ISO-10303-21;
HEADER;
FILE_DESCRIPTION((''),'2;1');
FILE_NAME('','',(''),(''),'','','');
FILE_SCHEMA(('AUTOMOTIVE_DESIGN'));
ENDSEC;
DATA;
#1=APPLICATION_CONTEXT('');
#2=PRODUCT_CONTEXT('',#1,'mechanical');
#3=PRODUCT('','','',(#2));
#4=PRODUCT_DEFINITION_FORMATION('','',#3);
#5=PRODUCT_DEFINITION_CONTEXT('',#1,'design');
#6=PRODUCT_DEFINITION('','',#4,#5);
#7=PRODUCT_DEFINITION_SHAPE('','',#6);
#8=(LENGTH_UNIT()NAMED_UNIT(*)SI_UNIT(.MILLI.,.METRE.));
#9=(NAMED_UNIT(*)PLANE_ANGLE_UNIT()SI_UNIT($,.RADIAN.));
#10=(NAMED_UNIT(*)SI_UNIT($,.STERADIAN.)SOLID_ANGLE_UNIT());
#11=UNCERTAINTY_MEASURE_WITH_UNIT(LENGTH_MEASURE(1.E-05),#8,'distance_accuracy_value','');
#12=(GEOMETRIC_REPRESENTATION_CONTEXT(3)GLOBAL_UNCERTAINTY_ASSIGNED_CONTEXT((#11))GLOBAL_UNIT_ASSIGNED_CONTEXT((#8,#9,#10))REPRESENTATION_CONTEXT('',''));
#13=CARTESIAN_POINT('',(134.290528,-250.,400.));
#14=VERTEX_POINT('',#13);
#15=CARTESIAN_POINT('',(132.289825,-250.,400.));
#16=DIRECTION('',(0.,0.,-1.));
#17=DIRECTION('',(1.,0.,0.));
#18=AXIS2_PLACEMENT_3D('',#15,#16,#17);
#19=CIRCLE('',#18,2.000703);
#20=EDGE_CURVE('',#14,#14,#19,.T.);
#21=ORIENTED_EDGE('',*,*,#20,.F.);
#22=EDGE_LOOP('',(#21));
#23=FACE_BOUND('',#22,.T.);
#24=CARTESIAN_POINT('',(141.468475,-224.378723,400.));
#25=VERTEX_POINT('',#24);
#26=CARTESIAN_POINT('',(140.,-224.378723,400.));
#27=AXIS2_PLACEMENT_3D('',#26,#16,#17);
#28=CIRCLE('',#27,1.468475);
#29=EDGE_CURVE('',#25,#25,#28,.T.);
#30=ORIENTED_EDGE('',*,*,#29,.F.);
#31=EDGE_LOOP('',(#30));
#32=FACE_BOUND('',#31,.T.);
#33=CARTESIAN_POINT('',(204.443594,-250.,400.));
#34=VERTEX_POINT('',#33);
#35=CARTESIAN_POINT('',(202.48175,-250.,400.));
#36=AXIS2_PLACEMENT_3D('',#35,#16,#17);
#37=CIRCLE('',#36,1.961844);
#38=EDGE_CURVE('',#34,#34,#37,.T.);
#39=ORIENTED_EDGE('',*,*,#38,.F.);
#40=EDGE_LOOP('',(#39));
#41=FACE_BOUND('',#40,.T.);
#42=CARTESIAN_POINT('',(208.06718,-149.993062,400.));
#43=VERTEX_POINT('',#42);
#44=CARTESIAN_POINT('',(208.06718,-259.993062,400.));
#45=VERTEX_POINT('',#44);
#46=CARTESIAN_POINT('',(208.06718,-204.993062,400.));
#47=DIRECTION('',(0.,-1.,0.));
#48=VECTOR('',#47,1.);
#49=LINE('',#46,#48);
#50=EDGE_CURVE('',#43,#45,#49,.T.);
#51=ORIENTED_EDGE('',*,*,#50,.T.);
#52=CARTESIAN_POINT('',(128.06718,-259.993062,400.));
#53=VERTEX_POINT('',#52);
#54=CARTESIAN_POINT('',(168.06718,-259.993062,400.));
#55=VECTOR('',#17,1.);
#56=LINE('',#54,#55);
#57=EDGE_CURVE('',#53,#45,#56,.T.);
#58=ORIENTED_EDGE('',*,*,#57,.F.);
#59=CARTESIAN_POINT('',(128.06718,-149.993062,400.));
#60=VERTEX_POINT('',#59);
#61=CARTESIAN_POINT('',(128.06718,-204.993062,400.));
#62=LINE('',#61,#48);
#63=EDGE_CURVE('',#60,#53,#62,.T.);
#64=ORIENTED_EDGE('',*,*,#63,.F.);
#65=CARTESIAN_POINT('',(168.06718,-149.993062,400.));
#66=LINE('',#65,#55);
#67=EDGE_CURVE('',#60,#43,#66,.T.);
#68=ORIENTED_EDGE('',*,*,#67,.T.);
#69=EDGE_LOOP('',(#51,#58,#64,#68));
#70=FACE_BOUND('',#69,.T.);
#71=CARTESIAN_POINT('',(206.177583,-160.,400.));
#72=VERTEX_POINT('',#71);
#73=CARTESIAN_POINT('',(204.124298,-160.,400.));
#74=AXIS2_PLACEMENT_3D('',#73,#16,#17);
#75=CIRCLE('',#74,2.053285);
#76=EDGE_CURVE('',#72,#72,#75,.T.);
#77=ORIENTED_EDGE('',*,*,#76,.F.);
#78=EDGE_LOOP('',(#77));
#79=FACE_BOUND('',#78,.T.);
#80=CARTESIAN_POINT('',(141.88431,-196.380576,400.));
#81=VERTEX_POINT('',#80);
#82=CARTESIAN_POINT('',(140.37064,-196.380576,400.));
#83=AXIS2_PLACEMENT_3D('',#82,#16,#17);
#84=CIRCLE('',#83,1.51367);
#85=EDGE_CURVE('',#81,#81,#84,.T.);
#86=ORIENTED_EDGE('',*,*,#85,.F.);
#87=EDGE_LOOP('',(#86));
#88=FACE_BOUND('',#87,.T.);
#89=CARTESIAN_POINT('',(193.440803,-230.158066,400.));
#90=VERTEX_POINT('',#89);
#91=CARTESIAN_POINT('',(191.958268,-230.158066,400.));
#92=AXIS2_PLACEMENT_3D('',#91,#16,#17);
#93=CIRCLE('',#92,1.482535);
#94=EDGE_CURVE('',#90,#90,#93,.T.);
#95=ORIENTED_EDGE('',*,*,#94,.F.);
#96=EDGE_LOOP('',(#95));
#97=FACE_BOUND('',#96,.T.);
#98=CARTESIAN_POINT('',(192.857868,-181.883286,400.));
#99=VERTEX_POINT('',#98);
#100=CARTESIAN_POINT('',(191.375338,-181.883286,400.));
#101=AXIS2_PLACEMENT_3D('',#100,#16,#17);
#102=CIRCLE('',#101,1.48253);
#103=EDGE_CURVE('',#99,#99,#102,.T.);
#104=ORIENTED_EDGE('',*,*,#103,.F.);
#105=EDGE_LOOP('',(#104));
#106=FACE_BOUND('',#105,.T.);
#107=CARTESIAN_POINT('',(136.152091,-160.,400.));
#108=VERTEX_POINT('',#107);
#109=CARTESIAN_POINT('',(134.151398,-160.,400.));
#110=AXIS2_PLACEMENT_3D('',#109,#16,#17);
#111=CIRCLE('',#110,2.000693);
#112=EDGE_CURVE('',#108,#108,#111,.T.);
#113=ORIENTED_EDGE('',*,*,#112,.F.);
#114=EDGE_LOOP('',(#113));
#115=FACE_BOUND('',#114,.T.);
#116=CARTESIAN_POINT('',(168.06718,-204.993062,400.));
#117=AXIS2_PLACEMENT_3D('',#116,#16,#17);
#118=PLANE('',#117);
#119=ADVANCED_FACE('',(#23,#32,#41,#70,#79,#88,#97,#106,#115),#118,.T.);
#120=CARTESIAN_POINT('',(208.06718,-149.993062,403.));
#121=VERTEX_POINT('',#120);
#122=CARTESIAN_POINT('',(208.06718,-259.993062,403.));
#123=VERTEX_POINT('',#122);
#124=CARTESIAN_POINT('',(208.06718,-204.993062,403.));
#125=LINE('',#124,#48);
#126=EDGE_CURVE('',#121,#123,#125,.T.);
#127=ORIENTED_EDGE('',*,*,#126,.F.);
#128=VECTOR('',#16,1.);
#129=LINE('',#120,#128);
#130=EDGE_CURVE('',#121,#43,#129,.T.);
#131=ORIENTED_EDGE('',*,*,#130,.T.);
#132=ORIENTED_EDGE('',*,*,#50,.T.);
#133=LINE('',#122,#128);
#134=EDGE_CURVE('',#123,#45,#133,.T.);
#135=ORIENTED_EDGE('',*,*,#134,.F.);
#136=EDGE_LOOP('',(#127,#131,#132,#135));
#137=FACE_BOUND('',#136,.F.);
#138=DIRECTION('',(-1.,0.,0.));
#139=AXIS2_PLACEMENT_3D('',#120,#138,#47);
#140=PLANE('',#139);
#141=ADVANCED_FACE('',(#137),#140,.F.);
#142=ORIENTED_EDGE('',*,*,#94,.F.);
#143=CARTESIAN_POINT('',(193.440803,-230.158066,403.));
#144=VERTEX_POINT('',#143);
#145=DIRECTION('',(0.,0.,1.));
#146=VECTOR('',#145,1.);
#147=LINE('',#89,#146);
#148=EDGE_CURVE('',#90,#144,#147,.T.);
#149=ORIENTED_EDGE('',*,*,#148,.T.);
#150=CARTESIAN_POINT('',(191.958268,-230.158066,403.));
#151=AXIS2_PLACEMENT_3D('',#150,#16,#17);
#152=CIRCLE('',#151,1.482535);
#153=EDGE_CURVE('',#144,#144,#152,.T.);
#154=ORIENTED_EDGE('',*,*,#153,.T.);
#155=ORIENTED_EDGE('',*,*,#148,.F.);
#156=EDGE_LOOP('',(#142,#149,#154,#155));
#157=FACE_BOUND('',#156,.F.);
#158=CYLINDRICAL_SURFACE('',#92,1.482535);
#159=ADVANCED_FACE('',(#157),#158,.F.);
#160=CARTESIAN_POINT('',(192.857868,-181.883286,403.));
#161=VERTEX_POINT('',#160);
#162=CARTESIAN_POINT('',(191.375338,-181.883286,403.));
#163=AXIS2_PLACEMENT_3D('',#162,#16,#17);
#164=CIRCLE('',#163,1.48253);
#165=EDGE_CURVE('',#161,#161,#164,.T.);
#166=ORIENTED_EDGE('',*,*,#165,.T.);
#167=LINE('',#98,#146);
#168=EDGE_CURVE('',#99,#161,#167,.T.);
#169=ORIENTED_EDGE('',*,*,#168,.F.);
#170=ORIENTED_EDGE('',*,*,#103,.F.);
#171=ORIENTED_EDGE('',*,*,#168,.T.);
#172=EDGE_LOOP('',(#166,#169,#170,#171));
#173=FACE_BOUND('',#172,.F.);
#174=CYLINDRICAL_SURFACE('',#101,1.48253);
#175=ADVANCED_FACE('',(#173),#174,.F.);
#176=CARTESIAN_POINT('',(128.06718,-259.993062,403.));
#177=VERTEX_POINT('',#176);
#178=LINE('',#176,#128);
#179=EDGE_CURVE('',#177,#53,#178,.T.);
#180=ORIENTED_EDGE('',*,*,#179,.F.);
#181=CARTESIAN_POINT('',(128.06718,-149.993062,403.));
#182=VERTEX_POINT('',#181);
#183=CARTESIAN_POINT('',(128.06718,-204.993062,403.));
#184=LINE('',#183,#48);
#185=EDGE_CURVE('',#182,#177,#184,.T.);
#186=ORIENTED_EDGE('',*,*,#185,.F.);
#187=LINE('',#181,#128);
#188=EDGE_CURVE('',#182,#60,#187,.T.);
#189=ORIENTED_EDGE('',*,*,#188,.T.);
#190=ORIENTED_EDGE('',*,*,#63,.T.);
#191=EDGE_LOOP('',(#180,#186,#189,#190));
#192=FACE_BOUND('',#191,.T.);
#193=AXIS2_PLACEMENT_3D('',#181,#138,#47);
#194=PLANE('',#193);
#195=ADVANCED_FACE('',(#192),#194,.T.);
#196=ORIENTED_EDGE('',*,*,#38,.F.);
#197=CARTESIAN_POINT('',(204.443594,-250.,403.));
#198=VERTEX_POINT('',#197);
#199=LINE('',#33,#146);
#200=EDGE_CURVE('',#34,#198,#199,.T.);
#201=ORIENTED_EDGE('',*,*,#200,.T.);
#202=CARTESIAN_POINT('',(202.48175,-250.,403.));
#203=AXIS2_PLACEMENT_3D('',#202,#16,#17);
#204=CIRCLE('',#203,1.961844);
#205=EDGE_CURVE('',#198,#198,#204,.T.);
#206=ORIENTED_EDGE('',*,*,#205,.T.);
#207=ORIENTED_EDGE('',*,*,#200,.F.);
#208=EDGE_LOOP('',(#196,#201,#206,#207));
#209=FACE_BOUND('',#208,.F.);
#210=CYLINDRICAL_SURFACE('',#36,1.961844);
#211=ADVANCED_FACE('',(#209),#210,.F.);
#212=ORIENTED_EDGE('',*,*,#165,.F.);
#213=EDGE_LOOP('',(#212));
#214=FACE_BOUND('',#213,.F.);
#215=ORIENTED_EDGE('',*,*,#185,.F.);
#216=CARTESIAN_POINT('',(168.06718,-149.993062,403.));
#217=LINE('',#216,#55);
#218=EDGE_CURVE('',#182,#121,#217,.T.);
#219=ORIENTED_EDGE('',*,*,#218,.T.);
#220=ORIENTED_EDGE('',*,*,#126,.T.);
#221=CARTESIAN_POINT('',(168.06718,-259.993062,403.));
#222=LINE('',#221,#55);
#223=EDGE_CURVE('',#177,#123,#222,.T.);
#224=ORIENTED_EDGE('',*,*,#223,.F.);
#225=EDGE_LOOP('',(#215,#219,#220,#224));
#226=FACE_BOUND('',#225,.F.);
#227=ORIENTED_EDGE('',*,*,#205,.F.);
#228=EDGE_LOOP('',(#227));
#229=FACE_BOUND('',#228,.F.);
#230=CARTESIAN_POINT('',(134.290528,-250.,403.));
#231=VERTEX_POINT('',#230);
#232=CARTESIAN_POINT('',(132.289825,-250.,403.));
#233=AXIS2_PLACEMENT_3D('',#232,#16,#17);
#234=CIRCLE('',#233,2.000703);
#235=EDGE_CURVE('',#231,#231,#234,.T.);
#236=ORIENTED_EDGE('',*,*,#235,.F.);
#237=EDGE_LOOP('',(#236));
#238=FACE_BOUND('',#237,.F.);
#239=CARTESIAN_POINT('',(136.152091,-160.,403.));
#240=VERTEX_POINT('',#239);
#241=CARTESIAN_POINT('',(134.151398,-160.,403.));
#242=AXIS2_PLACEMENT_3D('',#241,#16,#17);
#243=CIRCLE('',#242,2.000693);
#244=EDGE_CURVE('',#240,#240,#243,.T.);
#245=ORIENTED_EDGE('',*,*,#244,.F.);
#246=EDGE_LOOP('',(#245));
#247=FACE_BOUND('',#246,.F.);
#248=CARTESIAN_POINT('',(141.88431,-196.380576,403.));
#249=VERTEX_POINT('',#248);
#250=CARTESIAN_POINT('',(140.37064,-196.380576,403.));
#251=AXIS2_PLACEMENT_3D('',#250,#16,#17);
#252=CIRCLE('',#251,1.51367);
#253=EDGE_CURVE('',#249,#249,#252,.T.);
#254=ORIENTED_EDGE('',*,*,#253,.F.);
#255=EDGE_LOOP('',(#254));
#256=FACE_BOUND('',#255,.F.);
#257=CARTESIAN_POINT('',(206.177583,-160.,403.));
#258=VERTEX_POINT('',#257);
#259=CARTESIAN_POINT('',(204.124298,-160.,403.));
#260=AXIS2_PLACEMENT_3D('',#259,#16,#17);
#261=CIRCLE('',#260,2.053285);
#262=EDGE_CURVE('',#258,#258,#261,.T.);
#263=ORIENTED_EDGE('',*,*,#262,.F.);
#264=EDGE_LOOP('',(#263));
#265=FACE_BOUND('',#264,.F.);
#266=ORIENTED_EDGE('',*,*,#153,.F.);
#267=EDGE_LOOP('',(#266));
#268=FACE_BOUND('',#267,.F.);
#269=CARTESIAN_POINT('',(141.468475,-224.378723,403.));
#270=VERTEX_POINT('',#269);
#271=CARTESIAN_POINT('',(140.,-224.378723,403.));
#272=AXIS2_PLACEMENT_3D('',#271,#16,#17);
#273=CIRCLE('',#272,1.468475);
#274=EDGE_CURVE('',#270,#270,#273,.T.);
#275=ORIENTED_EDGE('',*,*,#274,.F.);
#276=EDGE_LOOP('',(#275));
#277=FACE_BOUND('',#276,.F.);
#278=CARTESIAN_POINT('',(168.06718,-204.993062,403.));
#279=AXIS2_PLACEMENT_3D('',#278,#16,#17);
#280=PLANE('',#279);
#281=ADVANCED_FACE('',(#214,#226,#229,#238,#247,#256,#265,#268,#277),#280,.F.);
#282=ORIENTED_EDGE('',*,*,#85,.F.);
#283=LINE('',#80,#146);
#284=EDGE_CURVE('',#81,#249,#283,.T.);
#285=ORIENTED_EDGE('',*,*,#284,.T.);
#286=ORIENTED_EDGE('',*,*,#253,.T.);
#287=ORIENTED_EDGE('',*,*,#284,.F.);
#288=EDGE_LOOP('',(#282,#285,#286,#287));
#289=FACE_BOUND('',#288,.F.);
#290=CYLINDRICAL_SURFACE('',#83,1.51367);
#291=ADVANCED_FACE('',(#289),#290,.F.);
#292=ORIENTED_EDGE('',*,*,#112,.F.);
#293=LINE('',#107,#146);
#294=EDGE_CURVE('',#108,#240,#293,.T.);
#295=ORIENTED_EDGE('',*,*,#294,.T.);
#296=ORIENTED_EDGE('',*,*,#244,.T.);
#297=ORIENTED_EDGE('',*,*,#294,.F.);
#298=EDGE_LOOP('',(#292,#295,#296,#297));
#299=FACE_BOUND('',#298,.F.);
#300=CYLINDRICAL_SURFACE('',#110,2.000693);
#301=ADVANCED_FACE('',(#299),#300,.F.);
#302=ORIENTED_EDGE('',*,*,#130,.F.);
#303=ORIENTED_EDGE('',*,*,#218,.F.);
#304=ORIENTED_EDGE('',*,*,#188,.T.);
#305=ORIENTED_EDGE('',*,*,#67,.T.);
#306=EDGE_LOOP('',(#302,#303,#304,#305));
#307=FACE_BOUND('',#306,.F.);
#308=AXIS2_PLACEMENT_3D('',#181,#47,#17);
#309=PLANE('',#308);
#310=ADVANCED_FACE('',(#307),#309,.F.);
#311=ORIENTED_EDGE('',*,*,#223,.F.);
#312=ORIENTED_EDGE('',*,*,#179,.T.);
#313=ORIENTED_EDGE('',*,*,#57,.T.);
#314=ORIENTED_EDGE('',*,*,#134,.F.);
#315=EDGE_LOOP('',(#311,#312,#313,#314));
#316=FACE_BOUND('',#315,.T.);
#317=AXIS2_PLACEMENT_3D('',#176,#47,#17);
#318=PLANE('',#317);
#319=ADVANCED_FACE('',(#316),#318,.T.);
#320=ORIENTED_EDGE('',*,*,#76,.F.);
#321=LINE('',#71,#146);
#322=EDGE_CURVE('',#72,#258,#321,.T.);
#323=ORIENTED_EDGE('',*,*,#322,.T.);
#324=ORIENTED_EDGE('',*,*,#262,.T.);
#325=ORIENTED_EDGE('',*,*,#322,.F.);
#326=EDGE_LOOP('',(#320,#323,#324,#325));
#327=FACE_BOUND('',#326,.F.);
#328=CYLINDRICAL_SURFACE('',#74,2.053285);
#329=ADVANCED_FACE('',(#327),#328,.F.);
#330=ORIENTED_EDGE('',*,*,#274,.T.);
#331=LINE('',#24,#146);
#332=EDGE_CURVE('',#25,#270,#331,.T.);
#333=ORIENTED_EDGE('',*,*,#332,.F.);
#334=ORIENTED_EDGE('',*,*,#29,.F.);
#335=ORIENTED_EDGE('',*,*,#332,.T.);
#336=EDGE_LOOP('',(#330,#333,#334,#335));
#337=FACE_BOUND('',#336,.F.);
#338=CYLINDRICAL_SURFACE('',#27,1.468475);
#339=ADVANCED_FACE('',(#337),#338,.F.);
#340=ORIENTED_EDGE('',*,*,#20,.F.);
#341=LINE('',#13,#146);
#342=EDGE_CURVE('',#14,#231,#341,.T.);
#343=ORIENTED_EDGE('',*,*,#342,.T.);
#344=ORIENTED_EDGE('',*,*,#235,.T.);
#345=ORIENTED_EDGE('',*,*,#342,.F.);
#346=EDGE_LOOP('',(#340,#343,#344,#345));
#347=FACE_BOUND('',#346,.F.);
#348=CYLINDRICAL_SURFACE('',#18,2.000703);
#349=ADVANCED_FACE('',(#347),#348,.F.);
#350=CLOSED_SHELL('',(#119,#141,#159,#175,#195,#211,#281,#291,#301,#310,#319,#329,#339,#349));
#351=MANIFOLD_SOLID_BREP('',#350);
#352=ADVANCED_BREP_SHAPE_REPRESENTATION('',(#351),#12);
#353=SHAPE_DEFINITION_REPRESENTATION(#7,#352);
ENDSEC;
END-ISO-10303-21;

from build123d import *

# Parameters (mm, degrees)
SKETCH010_W     = 80
SKETCH010_H     = 110
PAD010_DEPTH    = 3
SKETCH034_R     = 2.000703
SKETCH034_R_2   = 1.961844
SKETCH034_R_3   = 2.000693
SKETCH034_R_4   = 2.053285
POCKET013_DEPTH = 5
SKETCH009_R     = 1.482535
SKETCH009_R_2   = 1.48253
SKETCH009_R_3   = 1.51367
SKETCH009_R_4   = 1.468475
POCKET014_DEPTH = 5


with BuildPart() as part:
    # Sketch010 → Pad010 (new body)
    with BuildSketch(Plane(origin=(100, 0, 403), x_dir=(1, 0, 0), z_dir=(0, 0, -1))):
        with Locations((68.06718, 204.993062)):
            Rectangle(SKETCH010_W, SKETCH010_H)
    extrude(amount=PAD010_DEPTH)

    # Sketch034 → Pocket013 (cut)
    with BuildSketch(Plane(origin=(100, 0, 400), x_dir=(1, 0, 0), z_dir=(0, 0, -1))):
        with Locations((32.289825, 250)):
            Circle(SKETCH034_R)
        with Locations((102.48175, 250)):
            Circle(SKETCH034_R_2)
        with Locations((34.151398, 160)):
            Circle(SKETCH034_R_3)
        with Locations((104.124298, 160)):
            Circle(SKETCH034_R_4)
    extrude(amount=-POCKET013_DEPTH, mode=Mode.SUBTRACT)

    # Sketch009 → Pocket014 (cut)
    with BuildSketch(Plane(origin=(100, 0, 400), x_dir=(1, 0, 0), z_dir=(0, 0, -1))):
        with Locations((91.958268, 230.158066)):
            Circle(SKETCH009_R)
        with Locations((91.375338, 181.883286)):
            Circle(SKETCH009_R_2)
        with Locations((40.37064, 196.380576)):
            Circle(SKETCH009_R_3)
        with Locations((40, 224.378723)):
            Circle(SKETCH009_R_4)
    extrude(amount=-POCKET014_DEPTH, mode=Mode.SUBTRACT)


solid = part.part
